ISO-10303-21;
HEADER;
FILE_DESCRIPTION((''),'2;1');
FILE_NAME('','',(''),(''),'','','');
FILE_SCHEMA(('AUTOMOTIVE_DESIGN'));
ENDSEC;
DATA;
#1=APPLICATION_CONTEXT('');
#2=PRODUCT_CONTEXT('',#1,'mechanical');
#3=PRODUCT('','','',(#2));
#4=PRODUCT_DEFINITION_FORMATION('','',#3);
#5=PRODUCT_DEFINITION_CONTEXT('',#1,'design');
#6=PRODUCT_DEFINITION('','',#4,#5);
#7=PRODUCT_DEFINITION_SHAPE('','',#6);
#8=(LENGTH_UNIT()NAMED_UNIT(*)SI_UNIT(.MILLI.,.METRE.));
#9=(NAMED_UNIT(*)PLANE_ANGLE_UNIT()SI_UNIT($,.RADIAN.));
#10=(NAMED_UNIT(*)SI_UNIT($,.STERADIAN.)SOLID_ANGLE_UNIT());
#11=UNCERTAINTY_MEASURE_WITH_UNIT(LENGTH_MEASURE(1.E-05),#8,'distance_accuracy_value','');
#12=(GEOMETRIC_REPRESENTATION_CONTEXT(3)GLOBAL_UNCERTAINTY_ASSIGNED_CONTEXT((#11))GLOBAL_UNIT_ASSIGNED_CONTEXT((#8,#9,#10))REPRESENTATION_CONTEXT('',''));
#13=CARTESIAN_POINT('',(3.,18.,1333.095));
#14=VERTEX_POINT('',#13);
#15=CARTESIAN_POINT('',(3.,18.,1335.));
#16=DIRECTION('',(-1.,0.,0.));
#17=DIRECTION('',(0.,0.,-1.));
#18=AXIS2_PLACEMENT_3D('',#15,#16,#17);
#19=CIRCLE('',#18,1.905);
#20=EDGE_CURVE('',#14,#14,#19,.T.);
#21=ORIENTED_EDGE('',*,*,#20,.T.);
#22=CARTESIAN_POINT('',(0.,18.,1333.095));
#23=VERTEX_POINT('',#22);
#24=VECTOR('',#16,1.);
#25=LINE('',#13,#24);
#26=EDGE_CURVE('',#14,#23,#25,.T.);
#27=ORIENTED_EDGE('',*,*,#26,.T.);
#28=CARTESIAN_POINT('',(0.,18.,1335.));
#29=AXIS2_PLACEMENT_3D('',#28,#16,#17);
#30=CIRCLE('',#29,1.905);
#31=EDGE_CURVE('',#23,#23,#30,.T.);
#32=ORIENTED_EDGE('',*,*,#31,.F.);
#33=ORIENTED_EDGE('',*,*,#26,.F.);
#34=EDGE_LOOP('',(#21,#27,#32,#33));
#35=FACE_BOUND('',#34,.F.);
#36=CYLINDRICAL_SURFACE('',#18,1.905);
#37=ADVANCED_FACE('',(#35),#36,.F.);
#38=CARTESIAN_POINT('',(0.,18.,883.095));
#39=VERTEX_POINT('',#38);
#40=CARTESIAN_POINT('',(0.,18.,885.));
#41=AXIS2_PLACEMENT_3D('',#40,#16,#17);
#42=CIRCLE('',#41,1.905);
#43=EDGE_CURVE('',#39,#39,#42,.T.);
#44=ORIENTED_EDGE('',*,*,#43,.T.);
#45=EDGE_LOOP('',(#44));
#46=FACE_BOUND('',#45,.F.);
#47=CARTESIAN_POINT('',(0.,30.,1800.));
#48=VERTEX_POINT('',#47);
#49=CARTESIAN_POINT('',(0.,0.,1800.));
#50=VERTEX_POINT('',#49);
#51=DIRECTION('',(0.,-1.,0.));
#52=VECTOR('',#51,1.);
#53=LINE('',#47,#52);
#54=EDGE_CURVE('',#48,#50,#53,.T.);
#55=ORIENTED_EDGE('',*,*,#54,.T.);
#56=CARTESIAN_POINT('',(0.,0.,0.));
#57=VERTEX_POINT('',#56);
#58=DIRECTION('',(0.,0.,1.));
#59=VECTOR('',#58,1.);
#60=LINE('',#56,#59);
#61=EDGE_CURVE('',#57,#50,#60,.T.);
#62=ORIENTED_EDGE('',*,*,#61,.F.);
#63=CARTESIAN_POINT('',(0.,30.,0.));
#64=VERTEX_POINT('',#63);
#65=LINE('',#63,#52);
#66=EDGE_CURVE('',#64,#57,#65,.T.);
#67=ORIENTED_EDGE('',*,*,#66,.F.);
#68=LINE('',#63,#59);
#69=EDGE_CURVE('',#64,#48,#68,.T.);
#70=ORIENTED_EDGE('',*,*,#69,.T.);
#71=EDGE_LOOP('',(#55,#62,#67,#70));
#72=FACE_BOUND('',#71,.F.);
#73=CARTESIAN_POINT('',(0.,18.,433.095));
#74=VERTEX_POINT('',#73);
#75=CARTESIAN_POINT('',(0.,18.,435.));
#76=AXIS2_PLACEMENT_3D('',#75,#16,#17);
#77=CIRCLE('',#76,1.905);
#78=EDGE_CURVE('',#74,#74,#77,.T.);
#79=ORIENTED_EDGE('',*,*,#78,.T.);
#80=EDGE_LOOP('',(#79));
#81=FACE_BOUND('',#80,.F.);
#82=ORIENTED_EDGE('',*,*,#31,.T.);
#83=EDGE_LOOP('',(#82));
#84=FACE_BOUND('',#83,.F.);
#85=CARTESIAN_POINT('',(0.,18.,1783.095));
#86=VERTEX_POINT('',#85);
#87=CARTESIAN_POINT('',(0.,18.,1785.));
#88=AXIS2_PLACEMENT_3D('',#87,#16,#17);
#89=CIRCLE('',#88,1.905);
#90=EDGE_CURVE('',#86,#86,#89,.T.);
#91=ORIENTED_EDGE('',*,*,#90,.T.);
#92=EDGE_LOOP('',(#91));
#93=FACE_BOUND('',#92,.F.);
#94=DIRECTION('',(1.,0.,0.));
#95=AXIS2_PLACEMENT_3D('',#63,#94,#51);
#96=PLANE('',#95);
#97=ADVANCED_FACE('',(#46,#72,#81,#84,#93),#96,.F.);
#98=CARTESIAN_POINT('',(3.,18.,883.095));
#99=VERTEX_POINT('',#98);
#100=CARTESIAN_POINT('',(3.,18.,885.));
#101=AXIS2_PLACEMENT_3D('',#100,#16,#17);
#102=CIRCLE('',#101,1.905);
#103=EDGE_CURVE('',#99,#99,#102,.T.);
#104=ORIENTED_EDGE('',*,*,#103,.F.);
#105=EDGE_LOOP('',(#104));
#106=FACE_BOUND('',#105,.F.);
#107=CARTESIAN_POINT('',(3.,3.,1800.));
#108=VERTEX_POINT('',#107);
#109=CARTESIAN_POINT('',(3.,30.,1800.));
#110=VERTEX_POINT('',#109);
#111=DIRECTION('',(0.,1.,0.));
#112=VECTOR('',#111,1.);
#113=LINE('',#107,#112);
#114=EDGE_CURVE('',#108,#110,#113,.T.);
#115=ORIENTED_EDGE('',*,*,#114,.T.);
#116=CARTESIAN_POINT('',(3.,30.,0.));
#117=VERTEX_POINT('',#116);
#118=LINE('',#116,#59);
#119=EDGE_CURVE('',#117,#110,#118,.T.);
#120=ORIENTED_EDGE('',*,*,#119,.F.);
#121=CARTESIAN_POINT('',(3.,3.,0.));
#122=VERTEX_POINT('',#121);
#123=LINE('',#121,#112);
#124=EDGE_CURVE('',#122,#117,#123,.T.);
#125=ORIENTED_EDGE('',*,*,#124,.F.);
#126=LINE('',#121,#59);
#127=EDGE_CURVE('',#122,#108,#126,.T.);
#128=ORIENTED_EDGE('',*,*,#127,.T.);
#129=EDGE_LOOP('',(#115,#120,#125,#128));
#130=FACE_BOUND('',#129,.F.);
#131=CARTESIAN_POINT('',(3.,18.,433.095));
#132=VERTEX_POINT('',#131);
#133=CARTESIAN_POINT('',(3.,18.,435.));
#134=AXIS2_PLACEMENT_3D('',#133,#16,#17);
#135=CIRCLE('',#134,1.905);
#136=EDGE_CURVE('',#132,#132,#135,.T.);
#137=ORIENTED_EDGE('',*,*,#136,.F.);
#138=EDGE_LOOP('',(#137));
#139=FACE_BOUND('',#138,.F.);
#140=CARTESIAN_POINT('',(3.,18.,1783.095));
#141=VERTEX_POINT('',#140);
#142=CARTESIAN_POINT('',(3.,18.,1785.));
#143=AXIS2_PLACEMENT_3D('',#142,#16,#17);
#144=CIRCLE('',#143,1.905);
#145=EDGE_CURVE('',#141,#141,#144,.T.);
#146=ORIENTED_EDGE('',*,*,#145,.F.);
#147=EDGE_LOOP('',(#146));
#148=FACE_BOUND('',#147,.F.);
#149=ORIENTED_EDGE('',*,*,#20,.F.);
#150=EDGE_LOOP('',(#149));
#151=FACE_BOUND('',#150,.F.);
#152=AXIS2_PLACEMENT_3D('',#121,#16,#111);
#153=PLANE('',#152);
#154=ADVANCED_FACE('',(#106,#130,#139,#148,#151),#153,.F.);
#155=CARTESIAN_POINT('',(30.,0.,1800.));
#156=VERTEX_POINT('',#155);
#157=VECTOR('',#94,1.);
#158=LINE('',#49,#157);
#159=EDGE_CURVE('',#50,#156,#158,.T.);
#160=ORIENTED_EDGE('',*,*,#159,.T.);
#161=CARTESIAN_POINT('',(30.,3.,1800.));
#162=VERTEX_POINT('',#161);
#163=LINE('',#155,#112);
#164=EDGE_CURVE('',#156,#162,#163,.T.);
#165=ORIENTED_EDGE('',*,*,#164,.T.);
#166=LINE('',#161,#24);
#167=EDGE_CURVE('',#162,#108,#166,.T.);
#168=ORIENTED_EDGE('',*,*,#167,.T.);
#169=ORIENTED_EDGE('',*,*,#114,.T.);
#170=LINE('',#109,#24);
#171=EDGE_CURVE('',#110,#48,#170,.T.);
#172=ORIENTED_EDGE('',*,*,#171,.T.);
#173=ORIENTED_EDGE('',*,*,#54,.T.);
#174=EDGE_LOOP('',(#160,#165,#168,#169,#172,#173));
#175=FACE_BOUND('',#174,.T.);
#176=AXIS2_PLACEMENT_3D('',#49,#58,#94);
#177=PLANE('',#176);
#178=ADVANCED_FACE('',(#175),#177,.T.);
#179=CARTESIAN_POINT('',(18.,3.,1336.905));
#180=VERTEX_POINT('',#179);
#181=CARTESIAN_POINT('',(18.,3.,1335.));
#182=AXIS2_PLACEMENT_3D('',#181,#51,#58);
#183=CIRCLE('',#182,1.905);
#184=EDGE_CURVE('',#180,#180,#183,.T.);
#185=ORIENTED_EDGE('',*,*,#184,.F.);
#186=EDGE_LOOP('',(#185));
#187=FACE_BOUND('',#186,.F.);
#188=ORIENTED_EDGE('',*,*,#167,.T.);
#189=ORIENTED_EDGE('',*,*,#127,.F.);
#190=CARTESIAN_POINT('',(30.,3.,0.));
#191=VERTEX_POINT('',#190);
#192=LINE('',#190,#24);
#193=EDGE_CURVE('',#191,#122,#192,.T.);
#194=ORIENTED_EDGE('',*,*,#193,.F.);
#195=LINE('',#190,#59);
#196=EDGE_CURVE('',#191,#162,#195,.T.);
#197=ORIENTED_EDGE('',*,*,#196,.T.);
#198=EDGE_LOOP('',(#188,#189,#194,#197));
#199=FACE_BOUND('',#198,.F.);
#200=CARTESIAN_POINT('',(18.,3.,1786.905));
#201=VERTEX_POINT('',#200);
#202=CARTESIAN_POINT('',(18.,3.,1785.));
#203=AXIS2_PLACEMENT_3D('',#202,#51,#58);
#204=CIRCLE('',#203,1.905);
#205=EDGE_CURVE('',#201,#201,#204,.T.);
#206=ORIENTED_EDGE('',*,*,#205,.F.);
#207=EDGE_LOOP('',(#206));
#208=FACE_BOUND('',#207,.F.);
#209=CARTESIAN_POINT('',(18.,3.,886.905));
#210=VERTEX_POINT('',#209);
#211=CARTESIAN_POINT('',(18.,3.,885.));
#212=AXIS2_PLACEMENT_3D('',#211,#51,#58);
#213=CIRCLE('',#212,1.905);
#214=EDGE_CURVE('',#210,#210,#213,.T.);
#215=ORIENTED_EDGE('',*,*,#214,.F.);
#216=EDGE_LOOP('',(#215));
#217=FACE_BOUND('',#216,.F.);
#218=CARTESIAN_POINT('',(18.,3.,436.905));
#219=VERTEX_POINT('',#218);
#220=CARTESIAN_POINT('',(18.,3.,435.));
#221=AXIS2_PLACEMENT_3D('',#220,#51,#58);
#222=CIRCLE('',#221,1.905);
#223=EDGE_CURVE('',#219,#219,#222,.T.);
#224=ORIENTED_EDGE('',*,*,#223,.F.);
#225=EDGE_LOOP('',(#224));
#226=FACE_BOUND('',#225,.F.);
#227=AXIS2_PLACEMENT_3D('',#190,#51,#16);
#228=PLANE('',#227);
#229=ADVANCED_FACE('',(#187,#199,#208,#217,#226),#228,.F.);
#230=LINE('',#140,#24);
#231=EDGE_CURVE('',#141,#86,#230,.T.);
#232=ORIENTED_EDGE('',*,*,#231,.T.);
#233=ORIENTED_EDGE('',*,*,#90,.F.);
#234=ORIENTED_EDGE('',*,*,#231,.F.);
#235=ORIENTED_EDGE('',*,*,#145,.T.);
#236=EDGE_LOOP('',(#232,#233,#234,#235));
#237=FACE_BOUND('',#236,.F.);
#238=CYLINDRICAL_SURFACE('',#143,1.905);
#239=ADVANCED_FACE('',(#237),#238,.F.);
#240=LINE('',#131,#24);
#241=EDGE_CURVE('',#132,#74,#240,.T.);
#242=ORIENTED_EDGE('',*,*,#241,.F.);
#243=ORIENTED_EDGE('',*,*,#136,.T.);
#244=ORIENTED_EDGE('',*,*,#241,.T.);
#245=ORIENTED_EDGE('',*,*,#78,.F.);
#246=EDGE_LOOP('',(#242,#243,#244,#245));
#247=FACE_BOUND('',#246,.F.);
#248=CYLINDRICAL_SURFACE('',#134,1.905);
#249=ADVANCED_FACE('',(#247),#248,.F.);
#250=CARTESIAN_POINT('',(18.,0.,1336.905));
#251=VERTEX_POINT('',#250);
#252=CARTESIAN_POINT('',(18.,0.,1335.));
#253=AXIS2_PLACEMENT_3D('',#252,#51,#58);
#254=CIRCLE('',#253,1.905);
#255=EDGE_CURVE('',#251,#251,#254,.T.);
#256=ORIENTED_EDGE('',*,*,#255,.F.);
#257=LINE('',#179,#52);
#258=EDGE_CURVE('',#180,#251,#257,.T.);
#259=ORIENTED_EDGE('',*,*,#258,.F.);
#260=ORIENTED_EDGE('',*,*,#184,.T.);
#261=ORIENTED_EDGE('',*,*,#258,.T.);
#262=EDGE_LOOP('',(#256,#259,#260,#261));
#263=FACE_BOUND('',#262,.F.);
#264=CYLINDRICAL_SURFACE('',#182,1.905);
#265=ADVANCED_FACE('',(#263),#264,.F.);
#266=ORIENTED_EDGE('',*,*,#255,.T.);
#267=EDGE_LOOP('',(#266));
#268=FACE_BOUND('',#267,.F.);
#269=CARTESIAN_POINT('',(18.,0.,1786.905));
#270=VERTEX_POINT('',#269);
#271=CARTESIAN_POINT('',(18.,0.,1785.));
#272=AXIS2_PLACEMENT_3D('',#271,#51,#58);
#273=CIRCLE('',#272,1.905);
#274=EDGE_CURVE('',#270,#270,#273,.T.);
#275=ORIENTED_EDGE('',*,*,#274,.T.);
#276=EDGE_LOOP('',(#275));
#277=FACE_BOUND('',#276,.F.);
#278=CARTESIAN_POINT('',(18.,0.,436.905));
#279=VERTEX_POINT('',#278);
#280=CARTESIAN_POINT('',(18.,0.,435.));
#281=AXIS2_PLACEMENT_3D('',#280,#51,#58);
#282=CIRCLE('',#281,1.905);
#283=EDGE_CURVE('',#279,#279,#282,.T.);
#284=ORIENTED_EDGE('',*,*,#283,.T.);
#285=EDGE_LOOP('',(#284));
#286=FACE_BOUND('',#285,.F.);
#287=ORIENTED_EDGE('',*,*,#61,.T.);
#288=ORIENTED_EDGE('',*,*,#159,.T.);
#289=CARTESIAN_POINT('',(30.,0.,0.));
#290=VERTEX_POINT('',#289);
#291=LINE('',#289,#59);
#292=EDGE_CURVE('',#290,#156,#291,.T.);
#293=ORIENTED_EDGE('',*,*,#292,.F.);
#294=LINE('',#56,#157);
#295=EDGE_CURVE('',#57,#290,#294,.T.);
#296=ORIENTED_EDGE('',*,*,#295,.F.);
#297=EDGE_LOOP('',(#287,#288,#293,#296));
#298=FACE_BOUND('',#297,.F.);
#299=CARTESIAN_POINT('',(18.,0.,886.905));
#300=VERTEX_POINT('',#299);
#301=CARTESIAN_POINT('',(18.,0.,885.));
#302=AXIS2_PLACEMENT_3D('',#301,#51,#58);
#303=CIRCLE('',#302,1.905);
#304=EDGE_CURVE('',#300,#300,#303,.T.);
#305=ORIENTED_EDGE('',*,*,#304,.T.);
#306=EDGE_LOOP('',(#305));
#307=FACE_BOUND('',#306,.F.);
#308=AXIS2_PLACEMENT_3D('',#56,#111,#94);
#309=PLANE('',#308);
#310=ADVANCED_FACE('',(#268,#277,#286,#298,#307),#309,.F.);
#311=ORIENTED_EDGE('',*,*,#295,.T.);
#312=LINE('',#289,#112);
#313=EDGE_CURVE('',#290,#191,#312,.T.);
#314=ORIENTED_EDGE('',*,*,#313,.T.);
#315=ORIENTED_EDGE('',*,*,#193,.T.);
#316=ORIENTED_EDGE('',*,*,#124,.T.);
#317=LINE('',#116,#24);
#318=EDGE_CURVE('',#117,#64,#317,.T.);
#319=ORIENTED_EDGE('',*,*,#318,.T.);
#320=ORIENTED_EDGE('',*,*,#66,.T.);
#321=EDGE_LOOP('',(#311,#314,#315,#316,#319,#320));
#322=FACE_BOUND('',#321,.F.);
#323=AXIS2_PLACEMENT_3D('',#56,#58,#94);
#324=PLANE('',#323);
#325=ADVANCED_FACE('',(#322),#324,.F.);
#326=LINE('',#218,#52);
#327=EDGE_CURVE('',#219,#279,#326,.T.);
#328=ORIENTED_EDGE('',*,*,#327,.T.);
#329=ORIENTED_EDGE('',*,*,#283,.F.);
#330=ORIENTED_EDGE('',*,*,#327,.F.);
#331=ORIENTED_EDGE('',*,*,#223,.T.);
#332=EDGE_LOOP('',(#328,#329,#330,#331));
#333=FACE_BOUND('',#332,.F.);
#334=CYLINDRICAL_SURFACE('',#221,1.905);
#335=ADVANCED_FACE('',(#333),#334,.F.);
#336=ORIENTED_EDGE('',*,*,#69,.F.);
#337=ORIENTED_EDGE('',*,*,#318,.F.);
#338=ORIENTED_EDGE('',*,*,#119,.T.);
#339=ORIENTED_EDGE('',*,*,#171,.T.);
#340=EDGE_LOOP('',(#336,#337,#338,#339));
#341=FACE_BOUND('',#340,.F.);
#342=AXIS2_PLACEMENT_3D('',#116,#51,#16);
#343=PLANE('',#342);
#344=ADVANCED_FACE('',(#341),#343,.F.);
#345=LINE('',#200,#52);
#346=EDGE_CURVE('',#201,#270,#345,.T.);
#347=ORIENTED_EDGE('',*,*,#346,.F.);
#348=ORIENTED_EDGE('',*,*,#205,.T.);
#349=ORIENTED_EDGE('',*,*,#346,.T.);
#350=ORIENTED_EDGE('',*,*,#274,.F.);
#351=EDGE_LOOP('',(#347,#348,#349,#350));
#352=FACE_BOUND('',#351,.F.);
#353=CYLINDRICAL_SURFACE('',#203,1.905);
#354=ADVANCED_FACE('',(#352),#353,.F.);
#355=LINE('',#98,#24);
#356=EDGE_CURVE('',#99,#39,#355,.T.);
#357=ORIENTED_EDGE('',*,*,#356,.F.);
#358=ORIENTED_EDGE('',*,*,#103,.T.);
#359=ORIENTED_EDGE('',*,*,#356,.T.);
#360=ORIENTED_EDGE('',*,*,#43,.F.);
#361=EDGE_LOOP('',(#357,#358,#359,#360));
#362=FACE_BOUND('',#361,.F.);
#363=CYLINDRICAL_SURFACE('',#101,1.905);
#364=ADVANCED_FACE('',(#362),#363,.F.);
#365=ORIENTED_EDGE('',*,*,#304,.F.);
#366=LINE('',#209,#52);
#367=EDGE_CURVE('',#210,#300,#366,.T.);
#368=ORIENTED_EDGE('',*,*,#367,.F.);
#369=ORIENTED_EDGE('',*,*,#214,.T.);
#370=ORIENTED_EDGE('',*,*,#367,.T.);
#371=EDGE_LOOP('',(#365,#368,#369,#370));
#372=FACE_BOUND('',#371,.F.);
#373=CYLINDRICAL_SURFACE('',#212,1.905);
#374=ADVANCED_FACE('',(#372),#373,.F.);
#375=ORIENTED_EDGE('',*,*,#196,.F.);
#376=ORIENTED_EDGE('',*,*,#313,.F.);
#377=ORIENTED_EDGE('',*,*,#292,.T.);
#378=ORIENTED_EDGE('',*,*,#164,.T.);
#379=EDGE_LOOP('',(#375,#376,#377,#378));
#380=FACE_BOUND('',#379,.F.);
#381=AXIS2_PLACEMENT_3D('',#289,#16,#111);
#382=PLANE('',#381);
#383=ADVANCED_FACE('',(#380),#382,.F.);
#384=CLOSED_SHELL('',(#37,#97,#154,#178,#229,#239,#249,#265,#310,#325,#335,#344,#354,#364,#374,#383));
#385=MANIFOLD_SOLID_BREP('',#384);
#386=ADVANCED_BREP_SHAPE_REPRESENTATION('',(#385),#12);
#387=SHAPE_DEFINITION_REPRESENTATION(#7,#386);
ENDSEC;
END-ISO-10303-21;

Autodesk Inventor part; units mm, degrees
ref_plane "YZ Plane" through (0, 0, 0) normal (1, 0, 0) x (0, 1, 0)
ref_plane "XZ Plane" through (0, 0, 0) normal (0, 1, 0) x (-1, 0, 0)
ref_plane "XY Plane" through (0, 0, 0) normal (0, 0, 1) x (1, 0, 0)
sketch "Sketch1" plane through (0, 0, 0) normal (0, 0, 1) x (1, 0, 0)
  line L0 (0, 0) -> (30, 0)
  line L1 (30, 0) -> (30, 3)
  line L2 (30, 3) -> (3, 3)
  line L3 (3, 3) -> (3, 30)
  line L4 (3, 30) -> (0, 30)
  line L5 (0, 30) -> (0, 0)
  dimension "d0" = 3
  dimension "d1" = 3
  dimension "d2" = 30
  dimension "d3" = 30
extrude "Extrusion1" add sketch "Sketch1" along normal blind 1800
sketch "Sketch2" plane through (3, 3, 1800) normal (0, 1, 0) x (1, 0, 0)
  line L0 (0, 1800) -> (0, 0) projected
  line L1 (27, 0) -> (0, 0) projected
  point P0 (-3, 1800)
  point P1 (15, 15)
  point P2 (15, 465)
  point P3 (15, 915)
  point P4 (15, 1365)
  dimension "d6" = 15
  dimension "d7" = 15
  dimension "d8" = 27
  dimension "d9" = 15
  dimension "d10" = 450
  dimension "d11" = 450
  dimension "d12" = 15
  dimension "d13" = 450
  dimension "d14" = 15
hole "Hole1" at (18, 3, 1785) at (18, 3, 1335) at (18, 3, 885) at (18, 3, 435) direction (0, -1, 0) diameter 3.81 end through all
sketch "Sketch3" plane through (3, 30, 1800) normal (1, 0, 0) x (0, 0, -1)
  line L0 (0, -27) -> (0, 0) projected
  line L1 (1800, -27) -> (0, -27) projected
  point P0 (1800, -30)
  point P1 (15, -12)
  point P2 (465, -12)
  point P3 (915, -12)
  point P4 (1365, -12)
  dimension "d22" = 15
  dimension "d23" = 15
  dimension "d24" = 15
  dimension "d25" = 450
  dimension "d26" = 450
  dimension "d27" = 15
  dimension "d28" = 450
  dimension "d29" = 15
hole "Hole2" at (3, 18, 1785) at (3, 18, 1335) at (3, 18, 885) at (3, 18, 435) direction (-1, 0, 0) diameter 3.81 end through all
equation "\"d0\" = Thickness"
equation "\"d1\" = Thickness"
equation "\"d2\" = Width"
equation "\"d3\" = Width"
equation "\"d4\" = Height"
equation "\"d6\" = HoleDistance"
equation "\"d7\" = HoleDistance"
equation "\"d9\" = HoleDistance"
equation "\"d12\" = HoleDistance"
equation "\"d14\" = HoleDistance"
equation "\"d22\" = HoleDistance"
equation "\"d23\" = HoleDistance"
equation "\"d24\" = HoleDistance"
equation "\"d27\" = HoleDistance"
equation "\"d29\" = HoleDistance"
equation "\"Width\" = 30"
equation "\"Thickness\" = 3"
equation "\"Height\" = 1800"
equation "\"HoleDistance\" = 15"
properties part number "corner180"
